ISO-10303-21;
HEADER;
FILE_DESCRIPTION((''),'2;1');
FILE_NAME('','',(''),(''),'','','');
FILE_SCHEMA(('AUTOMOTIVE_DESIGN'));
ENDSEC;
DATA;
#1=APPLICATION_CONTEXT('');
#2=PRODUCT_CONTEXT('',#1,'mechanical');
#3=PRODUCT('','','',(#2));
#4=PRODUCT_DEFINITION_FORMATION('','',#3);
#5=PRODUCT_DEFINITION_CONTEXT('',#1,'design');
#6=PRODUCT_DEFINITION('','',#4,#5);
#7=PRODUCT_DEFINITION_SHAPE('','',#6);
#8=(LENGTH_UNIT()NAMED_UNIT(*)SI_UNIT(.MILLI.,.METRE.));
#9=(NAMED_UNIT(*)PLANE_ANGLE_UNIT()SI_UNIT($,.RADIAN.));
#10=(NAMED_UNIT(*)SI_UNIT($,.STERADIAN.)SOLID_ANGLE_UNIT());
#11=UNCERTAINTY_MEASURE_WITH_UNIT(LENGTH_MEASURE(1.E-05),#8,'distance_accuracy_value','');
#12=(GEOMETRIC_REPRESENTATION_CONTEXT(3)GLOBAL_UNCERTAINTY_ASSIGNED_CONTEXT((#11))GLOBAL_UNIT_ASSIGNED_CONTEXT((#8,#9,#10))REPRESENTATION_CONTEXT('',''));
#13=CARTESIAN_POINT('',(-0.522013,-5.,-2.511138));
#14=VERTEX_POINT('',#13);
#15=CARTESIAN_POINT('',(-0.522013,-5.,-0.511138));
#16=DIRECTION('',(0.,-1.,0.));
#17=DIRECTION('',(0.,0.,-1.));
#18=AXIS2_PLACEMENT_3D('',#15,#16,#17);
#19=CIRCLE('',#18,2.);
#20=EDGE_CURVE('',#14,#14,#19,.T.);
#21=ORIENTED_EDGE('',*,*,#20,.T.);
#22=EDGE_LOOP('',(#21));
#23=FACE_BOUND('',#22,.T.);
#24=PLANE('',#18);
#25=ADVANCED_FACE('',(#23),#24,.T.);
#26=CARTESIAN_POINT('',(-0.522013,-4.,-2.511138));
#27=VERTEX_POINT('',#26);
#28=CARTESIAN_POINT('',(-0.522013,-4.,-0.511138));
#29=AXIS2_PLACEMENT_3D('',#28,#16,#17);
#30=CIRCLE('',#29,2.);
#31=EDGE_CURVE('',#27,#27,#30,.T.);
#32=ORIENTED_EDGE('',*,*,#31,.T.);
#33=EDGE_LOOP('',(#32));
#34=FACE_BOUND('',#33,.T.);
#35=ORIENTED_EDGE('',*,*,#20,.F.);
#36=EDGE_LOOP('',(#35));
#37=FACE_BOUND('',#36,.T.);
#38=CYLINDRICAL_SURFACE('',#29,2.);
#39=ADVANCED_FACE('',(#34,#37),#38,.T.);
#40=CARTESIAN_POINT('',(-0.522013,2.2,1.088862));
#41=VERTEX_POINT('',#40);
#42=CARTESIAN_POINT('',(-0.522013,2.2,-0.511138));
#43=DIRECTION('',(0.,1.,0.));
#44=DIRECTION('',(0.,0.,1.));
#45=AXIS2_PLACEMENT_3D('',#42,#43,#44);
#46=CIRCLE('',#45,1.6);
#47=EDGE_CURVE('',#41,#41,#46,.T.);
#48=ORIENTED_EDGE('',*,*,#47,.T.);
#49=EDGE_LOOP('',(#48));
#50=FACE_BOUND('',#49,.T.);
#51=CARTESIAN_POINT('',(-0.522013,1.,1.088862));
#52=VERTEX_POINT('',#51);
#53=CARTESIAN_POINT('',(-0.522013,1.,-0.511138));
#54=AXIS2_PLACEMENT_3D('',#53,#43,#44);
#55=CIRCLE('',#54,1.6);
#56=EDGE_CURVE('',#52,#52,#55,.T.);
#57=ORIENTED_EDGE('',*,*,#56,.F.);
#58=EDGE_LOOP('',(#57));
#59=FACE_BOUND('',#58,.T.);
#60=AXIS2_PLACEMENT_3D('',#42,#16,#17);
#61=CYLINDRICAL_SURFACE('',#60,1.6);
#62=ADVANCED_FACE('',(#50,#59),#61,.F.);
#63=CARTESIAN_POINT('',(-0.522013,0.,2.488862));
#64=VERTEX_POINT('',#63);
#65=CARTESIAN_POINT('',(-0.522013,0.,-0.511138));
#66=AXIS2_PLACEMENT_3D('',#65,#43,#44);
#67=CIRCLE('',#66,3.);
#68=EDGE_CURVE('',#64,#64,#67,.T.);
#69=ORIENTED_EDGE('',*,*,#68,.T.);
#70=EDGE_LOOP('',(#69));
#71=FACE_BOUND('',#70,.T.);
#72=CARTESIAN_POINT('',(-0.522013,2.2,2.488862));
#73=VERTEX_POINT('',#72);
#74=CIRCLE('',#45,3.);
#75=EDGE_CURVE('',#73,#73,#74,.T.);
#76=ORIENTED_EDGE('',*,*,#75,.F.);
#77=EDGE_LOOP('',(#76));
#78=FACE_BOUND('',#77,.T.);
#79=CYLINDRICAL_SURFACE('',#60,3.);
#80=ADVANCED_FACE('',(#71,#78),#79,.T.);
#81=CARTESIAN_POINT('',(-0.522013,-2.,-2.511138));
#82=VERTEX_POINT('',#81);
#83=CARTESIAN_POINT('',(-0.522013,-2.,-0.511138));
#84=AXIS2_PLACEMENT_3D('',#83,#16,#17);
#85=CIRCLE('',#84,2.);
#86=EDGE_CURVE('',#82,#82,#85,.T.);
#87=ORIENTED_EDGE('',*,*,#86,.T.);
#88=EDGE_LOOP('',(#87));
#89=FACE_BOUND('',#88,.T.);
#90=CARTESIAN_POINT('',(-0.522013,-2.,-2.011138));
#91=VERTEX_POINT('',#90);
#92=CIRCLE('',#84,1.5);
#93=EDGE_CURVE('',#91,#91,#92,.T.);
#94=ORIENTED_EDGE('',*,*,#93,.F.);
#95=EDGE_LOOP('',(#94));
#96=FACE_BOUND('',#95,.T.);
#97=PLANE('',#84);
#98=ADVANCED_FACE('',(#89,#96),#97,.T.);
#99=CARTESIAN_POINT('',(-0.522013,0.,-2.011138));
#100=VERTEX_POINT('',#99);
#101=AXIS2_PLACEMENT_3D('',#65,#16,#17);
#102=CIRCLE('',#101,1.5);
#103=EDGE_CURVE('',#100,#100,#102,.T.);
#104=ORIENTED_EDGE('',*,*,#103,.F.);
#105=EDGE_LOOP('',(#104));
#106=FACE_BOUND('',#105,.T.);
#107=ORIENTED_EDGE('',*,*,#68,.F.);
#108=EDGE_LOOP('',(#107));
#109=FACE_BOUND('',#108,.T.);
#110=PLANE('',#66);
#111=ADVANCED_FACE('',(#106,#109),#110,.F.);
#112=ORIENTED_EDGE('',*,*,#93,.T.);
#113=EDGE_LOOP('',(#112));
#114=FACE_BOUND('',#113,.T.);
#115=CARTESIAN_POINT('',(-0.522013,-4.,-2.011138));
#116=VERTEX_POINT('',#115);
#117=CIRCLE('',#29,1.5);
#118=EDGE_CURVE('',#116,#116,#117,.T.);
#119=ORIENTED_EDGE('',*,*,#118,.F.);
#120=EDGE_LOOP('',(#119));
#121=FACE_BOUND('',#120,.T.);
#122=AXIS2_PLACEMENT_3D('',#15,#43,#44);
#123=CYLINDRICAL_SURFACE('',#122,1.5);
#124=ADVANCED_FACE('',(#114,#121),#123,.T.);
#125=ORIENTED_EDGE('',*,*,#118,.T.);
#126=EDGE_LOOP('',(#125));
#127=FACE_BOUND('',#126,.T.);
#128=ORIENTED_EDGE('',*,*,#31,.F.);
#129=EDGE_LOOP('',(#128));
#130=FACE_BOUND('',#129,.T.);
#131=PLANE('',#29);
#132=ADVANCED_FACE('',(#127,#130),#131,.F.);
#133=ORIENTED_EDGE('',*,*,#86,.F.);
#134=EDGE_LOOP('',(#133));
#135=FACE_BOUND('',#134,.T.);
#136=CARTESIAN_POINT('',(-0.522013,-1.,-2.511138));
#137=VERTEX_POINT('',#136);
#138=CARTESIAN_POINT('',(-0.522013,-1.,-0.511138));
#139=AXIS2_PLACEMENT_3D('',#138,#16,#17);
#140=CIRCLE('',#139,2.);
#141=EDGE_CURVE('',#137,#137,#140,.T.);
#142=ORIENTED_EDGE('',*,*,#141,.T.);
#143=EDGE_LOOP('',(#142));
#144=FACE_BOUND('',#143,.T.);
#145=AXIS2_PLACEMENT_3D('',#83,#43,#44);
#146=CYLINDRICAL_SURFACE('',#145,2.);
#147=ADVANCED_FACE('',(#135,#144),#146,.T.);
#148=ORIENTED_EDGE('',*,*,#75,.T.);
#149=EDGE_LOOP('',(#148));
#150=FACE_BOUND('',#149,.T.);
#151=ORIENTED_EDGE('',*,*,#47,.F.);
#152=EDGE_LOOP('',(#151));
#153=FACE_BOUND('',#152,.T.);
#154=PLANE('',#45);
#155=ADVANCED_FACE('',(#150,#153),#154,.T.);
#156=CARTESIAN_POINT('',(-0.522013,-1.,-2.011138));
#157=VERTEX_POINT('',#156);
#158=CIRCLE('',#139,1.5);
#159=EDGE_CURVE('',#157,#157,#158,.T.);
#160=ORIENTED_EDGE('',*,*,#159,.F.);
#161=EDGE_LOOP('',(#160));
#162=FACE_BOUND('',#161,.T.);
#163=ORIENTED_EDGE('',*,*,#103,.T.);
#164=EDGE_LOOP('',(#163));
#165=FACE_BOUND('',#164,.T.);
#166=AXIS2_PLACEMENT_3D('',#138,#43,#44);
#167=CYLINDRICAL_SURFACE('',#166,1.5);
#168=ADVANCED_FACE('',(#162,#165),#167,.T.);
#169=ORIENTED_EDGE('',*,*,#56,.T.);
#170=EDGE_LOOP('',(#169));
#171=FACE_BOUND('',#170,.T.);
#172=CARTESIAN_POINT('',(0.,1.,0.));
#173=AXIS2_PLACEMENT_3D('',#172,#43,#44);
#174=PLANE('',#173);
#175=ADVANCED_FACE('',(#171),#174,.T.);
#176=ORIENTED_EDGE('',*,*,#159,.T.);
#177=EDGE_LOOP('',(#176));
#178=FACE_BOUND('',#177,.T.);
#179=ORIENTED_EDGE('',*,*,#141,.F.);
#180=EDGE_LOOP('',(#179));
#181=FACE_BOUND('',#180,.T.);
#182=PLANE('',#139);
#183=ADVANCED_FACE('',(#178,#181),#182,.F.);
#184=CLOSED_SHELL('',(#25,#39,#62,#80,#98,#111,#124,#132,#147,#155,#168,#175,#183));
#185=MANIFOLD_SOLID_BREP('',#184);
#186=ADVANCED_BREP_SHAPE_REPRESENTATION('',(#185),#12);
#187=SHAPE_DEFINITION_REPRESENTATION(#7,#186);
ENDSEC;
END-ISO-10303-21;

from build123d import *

# Parameters (mm, degrees)
SKETCH1_R           = 3
SKETCH1_R_2         = 1.6
BOSS_EXTRUDE1_DEPTH = 2.2
SKETCH1_3_R         = 1.6
BOSS_EXTRUDE2_DEPTH = 1
SKETCH5_R           = 1.5
BOSS_EXTRUDE3_DEPTH = 1
SKETCH6_R           = 2
BOSS_EXTRUDE4_DEPTH = 1
SKETCH8_R           = 1.5
BOSS_EXTRUDE5_DEPTH = 3
BOSS_EXTRUDE6_START = -1
SKETCH10_R          = 2
BOSS_EXTRUDE6_DEPTH = 1


with BuildPart() as part:
    # Sketch1 → Boss-Extrude1 (new body)
    with BuildSketch(Plane(origin=(0, 0, 0), x_dir=(1, 0, 0), z_dir=(0, 1, 0))):
        with Locations((-0.522013312, 0.511138034)):
            Circle(SKETCH1_R)
        with Locations((-0.522013312, 0.511138034)):
            Circle(SKETCH1_R_2, mode=Mode.SUBTRACT)
    extrude(amount=BOSS_EXTRUDE1_DEPTH)

    # Sketch1<3> → Boss-Extrude2 (add)
    with BuildSketch(Plane(origin=(0, 0, 0), x_dir=(1, 0, 0), z_dir=(0, 1, 0))):
        with Locations((-0.522013312, 0.511138034)):
            Circle(SKETCH1_3_R)
    extrude(amount=BOSS_EXTRUDE2_DEPTH)

    # Sketch5 → Boss-Extrude3 (add)
    with BuildSketch(Plane.XZ):
        with Locations((-0.522013312, -0.511138034)):
            Circle(SKETCH5_R)
    extrude(amount=BOSS_EXTRUDE3_DEPTH)

    # Sketch6 → Boss-Extrude4 (add)
    with BuildSketch(Plane.XZ.offset(1)):
        with Locations((-0.522013312, -0.511138034)):
            Circle(SKETCH6_R)
    extrude(amount=BOSS_EXTRUDE4_DEPTH)

    # Sketch8 → Boss-Extrude5 (add)
    with BuildSketch(Plane(origin=(0, -2, 0), x_dir=(-1, 0, 0), z_dir=(0, -1, 0))):
        with Locations((0.522013312, 0.511138034)):
            Circle(SKETCH8_R)
    extrude(amount=BOSS_EXTRUDE5_DEPTH)

    # Sketch10 → Boss-Extrude6 (add)
    with BuildSketch(Plane.XZ.offset(5).offset(BOSS_EXTRUDE6_START)):
        with Locations((-0.522013312, -0.511138034)):
            Circle(SKETCH10_R)
    extrude(amount=BOSS_EXTRUDE6_DEPTH)


solid = part.part
